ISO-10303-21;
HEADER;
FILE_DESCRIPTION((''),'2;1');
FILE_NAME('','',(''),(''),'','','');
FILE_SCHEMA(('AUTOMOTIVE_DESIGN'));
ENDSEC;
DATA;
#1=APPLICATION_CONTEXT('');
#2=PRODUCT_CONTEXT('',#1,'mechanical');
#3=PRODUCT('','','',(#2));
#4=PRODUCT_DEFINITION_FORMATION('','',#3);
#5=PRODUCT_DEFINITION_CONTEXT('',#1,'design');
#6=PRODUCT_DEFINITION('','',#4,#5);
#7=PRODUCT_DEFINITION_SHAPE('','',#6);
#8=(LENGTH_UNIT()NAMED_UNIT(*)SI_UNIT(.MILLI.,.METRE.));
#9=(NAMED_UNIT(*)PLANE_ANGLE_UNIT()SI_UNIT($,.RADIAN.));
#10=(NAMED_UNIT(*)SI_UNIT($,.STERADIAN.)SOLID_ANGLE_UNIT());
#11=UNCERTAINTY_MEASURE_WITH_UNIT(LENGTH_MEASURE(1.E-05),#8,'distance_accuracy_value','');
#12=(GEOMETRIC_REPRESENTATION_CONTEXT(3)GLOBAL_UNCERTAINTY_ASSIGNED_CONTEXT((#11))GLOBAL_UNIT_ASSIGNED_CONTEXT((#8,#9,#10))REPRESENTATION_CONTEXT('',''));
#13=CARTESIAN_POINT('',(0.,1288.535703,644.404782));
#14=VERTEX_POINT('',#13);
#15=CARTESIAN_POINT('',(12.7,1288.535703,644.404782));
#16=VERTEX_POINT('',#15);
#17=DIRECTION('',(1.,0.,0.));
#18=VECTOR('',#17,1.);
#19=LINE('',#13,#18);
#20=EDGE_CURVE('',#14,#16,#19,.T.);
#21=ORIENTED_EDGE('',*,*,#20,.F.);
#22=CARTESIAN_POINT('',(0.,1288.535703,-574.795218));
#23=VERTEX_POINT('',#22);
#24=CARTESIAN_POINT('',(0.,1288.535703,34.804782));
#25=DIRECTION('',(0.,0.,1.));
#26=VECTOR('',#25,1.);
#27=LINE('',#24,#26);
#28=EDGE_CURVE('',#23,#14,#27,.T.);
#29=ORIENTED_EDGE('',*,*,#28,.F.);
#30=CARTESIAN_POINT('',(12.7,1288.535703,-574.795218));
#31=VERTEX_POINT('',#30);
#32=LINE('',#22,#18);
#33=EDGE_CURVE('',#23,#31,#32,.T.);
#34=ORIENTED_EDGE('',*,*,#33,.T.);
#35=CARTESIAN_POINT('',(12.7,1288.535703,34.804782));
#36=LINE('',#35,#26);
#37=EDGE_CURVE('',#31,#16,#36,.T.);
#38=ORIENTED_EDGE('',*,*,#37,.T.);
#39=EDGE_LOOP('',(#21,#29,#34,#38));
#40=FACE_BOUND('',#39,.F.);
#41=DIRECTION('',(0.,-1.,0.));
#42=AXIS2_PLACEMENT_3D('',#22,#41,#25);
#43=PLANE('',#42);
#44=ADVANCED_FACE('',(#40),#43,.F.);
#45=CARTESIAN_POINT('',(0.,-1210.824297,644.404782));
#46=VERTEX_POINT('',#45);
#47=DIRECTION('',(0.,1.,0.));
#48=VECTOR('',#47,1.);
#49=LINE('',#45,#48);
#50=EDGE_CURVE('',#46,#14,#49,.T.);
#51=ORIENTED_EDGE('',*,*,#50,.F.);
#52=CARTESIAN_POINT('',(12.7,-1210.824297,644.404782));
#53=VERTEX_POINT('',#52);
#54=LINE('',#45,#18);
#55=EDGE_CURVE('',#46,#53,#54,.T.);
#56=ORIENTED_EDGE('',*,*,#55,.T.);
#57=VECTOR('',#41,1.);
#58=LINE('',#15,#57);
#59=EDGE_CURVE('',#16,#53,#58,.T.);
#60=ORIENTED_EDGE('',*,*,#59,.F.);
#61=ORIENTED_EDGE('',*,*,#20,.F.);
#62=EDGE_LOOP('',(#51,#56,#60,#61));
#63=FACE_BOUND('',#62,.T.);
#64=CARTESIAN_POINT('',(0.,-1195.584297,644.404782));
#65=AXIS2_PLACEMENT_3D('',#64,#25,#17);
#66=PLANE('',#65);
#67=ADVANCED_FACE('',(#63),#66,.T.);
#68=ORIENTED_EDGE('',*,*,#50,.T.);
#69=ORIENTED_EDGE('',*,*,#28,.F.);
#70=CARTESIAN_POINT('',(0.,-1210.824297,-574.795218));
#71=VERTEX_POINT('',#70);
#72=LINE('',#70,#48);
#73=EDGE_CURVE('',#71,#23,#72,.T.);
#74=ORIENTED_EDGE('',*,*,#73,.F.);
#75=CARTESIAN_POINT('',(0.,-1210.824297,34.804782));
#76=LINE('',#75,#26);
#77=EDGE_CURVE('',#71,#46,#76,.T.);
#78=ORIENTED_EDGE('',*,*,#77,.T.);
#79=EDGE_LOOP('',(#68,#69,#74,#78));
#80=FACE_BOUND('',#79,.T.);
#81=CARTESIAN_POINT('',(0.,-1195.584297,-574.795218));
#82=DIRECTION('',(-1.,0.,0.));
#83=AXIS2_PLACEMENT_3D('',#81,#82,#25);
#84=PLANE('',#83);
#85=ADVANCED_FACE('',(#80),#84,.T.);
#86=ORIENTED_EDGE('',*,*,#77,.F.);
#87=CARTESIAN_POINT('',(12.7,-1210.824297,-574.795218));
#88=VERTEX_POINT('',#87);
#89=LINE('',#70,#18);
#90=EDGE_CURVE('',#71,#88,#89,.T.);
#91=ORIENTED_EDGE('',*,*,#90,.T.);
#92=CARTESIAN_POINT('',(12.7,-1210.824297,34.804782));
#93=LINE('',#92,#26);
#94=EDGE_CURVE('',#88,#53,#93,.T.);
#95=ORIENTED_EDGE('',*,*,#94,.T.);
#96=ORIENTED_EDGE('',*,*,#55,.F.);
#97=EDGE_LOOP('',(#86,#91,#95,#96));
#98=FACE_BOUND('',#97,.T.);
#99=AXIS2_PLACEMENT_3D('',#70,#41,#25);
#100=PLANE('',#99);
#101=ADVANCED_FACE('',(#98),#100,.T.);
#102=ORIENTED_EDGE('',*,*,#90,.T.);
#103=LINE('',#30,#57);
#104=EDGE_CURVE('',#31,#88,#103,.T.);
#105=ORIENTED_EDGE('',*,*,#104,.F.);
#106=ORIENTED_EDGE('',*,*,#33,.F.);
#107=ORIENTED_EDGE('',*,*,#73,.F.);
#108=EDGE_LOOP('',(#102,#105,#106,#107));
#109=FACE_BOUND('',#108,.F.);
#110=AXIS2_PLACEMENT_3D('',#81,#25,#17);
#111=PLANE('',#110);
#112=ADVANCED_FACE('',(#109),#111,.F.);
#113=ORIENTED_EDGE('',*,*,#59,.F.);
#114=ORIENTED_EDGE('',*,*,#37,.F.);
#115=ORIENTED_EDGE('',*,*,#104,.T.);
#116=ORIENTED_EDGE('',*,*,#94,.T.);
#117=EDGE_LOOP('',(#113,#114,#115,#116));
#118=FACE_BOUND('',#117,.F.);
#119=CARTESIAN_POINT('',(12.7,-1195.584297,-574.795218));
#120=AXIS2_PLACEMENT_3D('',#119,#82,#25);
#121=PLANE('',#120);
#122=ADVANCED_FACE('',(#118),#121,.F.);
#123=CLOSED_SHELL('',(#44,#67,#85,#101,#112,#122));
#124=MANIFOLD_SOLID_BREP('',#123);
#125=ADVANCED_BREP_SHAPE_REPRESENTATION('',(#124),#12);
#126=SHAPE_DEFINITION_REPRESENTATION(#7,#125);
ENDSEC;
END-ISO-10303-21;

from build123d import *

# Parameters (mm, degrees)
F0_W     = 2438.4
F0_H     = 1219.2
F1_DEPTH = 12.7
F2_DEPTH = 45.72
F3_DEPTH = 15.24


with BuildPart() as f1:
    # F0 (on Right) → F1 (new body)
    with BuildSketch(Plane.YZ):
        with Locations((23.6157029867, 34.8047822451)):
            Rectangle(F0_W, F0_H)
    extrude(amount=F1_DEPTH)

    # F2 (add): a face of the model
    f2_faces = [f1.faces().sort_by_distance(p)[0] for p in [
        (6.35, 1242.8157029867, 34.8047822451),
    ]]
    extrude(f2_faces, amount=F2_DEPTH)

    # F3 (add): a face of the model
    f3_faces = [f1.faces().sort_by_distance(p)[0] for p in [
        (6.35, -1195.5842970133, 34.8047822451),
    ]]
    extrude(f3_faces, amount=F3_DEPTH)


solid = f1.part
